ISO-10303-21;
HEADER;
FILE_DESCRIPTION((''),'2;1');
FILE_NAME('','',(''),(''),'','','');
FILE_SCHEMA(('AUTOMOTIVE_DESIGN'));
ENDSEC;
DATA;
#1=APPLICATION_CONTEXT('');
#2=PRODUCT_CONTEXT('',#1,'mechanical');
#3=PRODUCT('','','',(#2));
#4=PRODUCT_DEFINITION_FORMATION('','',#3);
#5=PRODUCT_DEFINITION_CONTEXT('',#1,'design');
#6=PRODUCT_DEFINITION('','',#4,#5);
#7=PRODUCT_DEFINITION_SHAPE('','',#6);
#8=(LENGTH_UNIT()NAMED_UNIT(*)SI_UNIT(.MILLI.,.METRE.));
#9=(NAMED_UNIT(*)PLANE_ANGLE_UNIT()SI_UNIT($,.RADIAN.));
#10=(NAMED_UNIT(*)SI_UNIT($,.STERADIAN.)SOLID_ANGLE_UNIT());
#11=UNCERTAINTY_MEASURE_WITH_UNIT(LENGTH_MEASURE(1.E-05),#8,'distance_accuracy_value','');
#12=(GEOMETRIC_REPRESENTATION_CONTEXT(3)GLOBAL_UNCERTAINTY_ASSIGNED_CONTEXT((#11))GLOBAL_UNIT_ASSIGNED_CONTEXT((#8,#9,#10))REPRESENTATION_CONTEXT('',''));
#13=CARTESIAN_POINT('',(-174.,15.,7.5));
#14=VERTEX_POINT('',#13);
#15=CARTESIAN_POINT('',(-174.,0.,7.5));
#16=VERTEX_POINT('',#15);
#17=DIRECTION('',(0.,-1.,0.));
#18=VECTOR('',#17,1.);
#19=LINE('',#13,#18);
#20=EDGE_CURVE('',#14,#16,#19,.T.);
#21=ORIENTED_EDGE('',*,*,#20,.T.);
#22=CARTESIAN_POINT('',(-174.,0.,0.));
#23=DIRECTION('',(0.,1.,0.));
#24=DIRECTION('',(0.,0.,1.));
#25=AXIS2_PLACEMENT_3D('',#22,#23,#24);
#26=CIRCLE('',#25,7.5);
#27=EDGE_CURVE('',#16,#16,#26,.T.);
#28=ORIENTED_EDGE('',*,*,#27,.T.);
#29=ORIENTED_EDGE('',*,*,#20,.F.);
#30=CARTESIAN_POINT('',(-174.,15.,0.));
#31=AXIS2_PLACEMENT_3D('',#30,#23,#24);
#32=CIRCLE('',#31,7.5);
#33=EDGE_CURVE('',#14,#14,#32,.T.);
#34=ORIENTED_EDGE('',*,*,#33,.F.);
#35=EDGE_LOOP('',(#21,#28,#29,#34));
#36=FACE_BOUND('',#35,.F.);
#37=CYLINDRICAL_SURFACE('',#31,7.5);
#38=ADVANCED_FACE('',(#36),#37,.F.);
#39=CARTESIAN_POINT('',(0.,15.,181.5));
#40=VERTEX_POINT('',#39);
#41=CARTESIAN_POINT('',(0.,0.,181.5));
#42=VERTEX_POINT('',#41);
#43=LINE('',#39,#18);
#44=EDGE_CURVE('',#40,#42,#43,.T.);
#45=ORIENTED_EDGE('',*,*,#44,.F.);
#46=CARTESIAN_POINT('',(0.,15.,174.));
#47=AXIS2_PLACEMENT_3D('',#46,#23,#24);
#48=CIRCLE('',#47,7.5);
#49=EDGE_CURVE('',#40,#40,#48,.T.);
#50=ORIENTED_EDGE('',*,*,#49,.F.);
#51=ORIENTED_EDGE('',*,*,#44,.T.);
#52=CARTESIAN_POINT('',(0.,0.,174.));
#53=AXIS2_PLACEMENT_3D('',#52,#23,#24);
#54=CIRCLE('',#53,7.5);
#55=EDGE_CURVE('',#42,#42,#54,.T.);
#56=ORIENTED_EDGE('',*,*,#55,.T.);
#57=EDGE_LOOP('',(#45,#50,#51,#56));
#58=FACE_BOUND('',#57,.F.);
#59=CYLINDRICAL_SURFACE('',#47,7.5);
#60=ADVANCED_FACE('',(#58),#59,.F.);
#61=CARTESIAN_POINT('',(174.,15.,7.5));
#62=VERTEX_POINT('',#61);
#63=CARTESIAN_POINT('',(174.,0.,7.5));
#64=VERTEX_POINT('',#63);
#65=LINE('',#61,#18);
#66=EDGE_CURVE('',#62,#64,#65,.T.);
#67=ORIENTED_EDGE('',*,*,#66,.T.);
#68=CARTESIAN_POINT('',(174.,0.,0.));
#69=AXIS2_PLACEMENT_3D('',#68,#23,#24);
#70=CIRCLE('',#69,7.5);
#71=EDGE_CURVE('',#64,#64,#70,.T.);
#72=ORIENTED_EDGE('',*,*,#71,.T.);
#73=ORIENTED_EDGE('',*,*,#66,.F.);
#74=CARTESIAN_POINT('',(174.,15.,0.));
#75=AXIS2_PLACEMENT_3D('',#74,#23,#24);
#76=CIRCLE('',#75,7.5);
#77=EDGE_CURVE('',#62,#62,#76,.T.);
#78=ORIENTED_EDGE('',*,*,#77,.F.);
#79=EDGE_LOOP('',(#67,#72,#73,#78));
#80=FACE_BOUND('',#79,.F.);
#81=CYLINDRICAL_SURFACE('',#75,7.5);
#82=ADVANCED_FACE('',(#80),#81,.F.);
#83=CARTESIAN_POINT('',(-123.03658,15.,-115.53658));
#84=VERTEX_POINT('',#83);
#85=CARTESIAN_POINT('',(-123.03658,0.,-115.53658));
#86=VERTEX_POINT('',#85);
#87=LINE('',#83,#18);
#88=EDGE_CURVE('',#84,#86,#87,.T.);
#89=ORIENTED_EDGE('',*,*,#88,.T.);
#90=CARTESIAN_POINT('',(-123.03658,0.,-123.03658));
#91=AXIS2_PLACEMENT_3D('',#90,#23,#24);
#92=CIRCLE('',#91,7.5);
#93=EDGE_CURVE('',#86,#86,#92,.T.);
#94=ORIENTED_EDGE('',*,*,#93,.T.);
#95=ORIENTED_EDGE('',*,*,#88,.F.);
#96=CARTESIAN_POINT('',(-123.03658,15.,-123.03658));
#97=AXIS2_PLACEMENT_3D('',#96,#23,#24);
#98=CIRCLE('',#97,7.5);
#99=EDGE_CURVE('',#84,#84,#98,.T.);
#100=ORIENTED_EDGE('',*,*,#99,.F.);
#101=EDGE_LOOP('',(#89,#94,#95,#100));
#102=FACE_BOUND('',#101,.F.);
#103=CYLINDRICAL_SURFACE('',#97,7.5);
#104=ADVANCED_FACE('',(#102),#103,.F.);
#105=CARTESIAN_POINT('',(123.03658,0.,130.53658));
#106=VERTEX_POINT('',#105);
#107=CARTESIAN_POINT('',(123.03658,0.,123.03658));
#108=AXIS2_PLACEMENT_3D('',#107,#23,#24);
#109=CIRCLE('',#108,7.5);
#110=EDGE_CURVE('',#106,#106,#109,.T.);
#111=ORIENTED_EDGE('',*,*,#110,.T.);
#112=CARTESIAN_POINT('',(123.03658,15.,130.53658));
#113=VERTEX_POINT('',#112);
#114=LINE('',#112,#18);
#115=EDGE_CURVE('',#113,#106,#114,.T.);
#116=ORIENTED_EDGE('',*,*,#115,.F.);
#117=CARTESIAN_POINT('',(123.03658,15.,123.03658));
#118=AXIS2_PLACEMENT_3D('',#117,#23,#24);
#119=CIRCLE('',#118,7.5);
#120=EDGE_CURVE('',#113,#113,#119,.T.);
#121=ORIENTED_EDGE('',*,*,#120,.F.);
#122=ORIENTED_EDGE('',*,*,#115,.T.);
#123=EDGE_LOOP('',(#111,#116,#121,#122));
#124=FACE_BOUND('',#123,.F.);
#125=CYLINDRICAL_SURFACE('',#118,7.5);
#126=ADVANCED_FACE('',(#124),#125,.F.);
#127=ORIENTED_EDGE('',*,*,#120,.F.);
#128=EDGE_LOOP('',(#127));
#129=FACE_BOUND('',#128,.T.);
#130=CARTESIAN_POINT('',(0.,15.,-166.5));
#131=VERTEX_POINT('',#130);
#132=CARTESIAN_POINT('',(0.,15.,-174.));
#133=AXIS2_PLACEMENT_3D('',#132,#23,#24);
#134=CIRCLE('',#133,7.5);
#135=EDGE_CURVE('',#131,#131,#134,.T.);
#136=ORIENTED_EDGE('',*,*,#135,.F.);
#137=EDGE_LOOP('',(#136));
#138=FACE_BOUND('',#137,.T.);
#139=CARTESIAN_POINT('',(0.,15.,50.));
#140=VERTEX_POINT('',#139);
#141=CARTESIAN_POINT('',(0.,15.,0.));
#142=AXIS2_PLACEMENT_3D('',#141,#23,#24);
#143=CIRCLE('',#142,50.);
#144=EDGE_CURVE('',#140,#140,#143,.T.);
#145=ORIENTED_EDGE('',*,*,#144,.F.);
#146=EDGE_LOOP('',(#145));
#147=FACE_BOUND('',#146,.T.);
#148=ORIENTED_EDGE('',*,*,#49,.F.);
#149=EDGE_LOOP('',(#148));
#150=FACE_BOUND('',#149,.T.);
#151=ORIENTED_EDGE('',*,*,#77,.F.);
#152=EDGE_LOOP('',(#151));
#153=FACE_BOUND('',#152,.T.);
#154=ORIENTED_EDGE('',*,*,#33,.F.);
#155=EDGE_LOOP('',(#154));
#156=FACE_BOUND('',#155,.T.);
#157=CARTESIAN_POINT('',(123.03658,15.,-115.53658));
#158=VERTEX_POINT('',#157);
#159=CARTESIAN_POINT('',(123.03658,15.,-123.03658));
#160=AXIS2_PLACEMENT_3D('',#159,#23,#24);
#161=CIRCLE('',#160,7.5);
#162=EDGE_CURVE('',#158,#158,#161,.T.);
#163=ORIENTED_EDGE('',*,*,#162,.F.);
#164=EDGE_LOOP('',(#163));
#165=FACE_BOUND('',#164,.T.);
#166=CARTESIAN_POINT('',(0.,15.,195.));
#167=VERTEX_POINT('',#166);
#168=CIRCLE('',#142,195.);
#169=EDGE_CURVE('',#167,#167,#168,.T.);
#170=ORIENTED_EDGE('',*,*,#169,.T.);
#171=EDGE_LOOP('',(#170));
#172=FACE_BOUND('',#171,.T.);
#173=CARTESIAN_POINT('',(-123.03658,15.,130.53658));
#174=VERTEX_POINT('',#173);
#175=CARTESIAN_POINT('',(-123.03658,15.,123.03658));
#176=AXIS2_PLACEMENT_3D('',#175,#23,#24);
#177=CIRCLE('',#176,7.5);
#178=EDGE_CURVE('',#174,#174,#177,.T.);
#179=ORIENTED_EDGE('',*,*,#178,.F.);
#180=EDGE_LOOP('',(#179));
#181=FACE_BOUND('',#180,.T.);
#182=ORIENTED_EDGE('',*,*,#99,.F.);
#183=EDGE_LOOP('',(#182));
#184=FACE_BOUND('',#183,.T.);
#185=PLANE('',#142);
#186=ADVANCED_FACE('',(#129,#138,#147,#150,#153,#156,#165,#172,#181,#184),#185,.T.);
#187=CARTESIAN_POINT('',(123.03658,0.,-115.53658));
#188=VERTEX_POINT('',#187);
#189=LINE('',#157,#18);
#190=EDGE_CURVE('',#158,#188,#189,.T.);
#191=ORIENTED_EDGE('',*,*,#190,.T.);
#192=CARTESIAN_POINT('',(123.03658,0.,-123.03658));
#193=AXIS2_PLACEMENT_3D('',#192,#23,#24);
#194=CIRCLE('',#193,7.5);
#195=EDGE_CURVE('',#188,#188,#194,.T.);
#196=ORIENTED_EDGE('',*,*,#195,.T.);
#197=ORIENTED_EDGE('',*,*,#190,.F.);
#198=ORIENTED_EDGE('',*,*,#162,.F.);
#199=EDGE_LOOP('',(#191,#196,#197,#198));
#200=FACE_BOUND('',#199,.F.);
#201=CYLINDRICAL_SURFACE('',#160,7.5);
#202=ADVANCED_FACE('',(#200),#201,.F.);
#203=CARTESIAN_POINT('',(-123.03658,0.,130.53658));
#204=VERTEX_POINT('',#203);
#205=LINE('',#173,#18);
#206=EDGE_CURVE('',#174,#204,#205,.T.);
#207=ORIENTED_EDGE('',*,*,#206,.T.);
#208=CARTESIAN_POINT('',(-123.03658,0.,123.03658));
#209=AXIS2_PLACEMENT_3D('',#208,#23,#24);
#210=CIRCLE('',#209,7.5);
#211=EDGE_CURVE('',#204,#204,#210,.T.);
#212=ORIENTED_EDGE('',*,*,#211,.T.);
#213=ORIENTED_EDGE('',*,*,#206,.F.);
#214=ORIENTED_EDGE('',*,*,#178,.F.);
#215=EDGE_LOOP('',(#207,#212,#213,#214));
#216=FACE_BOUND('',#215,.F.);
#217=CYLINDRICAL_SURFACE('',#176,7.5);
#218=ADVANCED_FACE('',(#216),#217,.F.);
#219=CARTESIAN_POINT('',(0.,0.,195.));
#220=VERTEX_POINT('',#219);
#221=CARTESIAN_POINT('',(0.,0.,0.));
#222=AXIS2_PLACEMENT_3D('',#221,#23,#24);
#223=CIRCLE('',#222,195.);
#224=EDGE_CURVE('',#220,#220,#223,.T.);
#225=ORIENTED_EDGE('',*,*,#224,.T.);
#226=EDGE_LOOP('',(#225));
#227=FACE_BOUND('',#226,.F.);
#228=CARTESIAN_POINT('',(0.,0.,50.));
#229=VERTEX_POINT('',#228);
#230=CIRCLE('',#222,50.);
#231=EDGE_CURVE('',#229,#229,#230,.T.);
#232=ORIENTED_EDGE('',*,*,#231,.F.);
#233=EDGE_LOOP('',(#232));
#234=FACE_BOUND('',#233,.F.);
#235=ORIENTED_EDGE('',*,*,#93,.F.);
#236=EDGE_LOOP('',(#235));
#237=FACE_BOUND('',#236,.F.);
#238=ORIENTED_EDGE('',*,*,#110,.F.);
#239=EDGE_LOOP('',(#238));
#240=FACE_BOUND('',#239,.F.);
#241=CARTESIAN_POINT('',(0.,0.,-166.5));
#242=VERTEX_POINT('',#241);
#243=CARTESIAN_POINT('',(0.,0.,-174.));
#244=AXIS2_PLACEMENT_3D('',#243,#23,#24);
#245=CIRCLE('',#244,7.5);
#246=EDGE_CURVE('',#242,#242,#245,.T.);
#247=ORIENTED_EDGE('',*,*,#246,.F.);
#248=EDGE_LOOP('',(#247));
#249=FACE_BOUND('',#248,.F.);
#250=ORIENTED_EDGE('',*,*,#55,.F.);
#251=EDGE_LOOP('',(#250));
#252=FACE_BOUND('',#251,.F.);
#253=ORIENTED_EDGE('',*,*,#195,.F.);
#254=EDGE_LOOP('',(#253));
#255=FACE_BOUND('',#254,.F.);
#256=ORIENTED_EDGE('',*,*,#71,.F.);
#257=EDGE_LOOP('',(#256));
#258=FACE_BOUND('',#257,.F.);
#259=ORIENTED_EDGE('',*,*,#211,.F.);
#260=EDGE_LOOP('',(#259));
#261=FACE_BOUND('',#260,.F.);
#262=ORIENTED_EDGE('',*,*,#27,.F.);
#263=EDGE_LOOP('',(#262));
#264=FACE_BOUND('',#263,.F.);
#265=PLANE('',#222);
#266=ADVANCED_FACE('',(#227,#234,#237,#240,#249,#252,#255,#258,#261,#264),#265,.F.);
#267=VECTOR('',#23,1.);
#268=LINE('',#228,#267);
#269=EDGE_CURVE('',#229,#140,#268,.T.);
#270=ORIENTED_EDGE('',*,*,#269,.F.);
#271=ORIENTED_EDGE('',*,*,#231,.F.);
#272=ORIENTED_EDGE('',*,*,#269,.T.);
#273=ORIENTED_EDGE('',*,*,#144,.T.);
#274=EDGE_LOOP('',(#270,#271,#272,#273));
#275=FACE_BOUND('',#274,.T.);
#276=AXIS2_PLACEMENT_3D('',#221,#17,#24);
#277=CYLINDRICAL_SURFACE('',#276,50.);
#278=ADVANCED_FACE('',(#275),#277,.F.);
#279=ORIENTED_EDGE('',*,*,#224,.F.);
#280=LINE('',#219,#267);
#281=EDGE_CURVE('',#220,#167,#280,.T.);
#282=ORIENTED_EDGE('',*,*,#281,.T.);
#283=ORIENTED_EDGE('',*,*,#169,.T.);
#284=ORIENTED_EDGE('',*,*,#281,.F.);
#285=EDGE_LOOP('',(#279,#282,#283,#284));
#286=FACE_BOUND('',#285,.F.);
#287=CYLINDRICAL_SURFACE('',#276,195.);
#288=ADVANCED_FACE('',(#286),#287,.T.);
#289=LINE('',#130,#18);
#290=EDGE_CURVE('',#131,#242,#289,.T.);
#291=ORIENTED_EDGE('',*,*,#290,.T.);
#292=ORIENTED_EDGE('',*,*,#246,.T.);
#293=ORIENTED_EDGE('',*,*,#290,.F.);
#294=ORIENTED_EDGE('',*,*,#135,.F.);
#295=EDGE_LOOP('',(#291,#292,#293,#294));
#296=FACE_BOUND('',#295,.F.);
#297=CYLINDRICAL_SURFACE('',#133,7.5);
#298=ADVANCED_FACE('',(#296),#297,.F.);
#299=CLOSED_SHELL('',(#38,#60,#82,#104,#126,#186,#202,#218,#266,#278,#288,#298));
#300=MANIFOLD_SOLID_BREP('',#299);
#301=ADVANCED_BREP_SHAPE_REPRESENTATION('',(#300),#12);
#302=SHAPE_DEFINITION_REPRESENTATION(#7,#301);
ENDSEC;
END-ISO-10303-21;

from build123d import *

# Parameters (mm, degrees)
SKETCH_1_R          = 195
SKETCH_1_R_2        = 50
EXTRUDE_1_DEPTH     = 15
CUT_EXTRUDE_1_REACH = 278.179
SKETCH_2_R          = 7.5


with BuildPart() as part:
    # 草图1 → 凸台-拉伸1 (new body)
    with BuildSketch(Plane(origin=(0, 0, 0), x_dir=(1, 0, 0), z_dir=(0, 1, 0))):
        with Locations(Location((0, 0, 0), (0, 0, 270))):
            Circle(SKETCH_1_R)
        with Locations(Location((0, 0, 0), (0, 0, 270))):
            Circle(SKETCH_1_R_2, mode=Mode.SUBTRACT)
    extrude(amount=EXTRUDE_1_DEPTH)

    # 草图2 → 切除-拉伸1 (cut, up to next)
    with BuildSketch(Plane(origin=(0, 15, 0), x_dir=(1, 0, 0), z_dir=(0, 1, 0)), mode=Mode.PRIVATE) as cut_extrude_1_sk1:
        with Locations(Location((-174, 0, 0), (0, 0, 270))):
            Circle(SKETCH_2_R)
    cut_extrude_1_tool1 = extrude(cut_extrude_1_sk1.sketch, amount=-CUT_EXTRUDE_1_REACH, mode=Mode.PRIVATE) & part.part
    # 草图2 → 切除-拉伸1 (cut, up to next)
    with BuildSketch(Plane(origin=(0, 15, 0), x_dir=(1, 0, 0), z_dir=(0, 1, 0)), mode=Mode.PRIVATE) as cut_extrude_1_sk2:
        with Locations(Location((-123.036579926, 123.036579926, 0), (0, 0, 270))):
            Circle(SKETCH_2_R)
    cut_extrude_1_tool2 = extrude(cut_extrude_1_sk2.sketch, amount=-CUT_EXTRUDE_1_REACH, mode=Mode.PRIVATE) & part.part
    # 草图2 → 切除-拉伸1 (cut, up to next)
    with BuildSketch(Plane(origin=(0, 15, 0), x_dir=(1, 0, 0), z_dir=(0, 1, 0)), mode=Mode.PRIVATE) as cut_extrude_1_sk3:
        with Locations(Location((0, 174, 0), (0, 0, 270))):
            Circle(SKETCH_2_R)
    cut_extrude_1_tool3 = extrude(cut_extrude_1_sk3.sketch, amount=-CUT_EXTRUDE_1_REACH, mode=Mode.PRIVATE) & part.part
    # 草图2 → 切除-拉伸1 (cut, up to next)
    with BuildSketch(Plane(origin=(0, 15, 0), x_dir=(1, 0, 0), z_dir=(0, 1, 0)), mode=Mode.PRIVATE) as cut_extrude_1_sk4:
        with Locations(Location((123.036579926, 123.036579926, 0), (0, 0, 270))):
            Circle(SKETCH_2_R)
    cut_extrude_1_tool4 = extrude(cut_extrude_1_sk4.sketch, amount=-CUT_EXTRUDE_1_REACH, mode=Mode.PRIVATE) & part.part
    # 草图2 → 切除-拉伸1 (cut, up to next)
    with BuildSketch(Plane(origin=(0, 15, 0), x_dir=(1, 0, 0), z_dir=(0, 1, 0)), mode=Mode.PRIVATE) as cut_extrude_1_sk5:
        with Locations(Location((174, 0, 0), (0, 0, 270))):
            Circle(SKETCH_2_R)
    cut_extrude_1_tool5 = extrude(cut_extrude_1_sk5.sketch, amount=-CUT_EXTRUDE_1_REACH, mode=Mode.PRIVATE) & part.part
    # 草图2 → 切除-拉伸1 (cut, up to next)
    with BuildSketch(Plane(origin=(0, 15, 0), x_dir=(1, 0, 0), z_dir=(0, 1, 0)), mode=Mode.PRIVATE) as cut_extrude_1_sk6:
        with Locations(Location((123.036579926, -123.036579926, 0), (0, 0, 270))):
            Circle(SKETCH_2_R)
    cut_extrude_1_tool6 = extrude(cut_extrude_1_sk6.sketch, amount=-CUT_EXTRUDE_1_REACH, mode=Mode.PRIVATE) & part.part
    # 草图2 → 切除-拉伸1 (cut, up to next)
    with BuildSketch(Plane(origin=(0, 15, 0), x_dir=(1, 0, 0), z_dir=(0, 1, 0)), mode=Mode.PRIVATE) as cut_extrude_1_sk7:
        with Locations(Location((0, -174, 0), (0, 0, 270))):
            Circle(SKETCH_2_R)
    cut_extrude_1_tool7 = extrude(cut_extrude_1_sk7.sketch, amount=-CUT_EXTRUDE_1_REACH, mode=Mode.PRIVATE) & part.part
    # 草图2 → 切除-拉伸1 (cut, up to next)
    with BuildSketch(Plane(origin=(0, 15, 0), x_dir=(1, 0, 0), z_dir=(0, 1, 0)), mode=Mode.PRIVATE) as cut_extrude_1_sk8:
        with Locations(Location((-123.036579926, -123.036579926, 0), (0, 0, 270))):
            Circle(SKETCH_2_R)
    cut_extrude_1_tool8 = extrude(cut_extrude_1_sk8.sketch, amount=-CUT_EXTRUDE_1_REACH, mode=Mode.PRIVATE) & part.part
    add(cut_extrude_1_tool1.solids().sort_by_distance((-174, 15, 0))[0], mode=Mode.SUBTRACT)
    add(cut_extrude_1_tool2.solids().sort_by_distance((-123.03658, 15, -123.03658))[0], mode=Mode.SUBTRACT)
    add(cut_extrude_1_tool3.solids().sort_by_distance((0, 15, -174))[0], mode=Mode.SUBTRACT)
    add(cut_extrude_1_tool4.solids().sort_by_distance((123.03658, 15, -123.03658))[0], mode=Mode.SUBTRACT)
    add(cut_extrude_1_tool5.solids().sort_by_distance((174, 15, 0))[0], mode=Mode.SUBTRACT)
    add(cut_extrude_1_tool6.solids().sort_by_distance((123.03658, 15, 123.03658))[0], mode=Mode.SUBTRACT)
    add(cut_extrude_1_tool7.solids().sort_by_distance((0, 15, 174))[0], mode=Mode.SUBTRACT)
    add(cut_extrude_1_tool8.solids().sort_by_distance((-123.03658, 15, 123.03658))[0], mode=Mode.SUBTRACT)


solid = part.part
